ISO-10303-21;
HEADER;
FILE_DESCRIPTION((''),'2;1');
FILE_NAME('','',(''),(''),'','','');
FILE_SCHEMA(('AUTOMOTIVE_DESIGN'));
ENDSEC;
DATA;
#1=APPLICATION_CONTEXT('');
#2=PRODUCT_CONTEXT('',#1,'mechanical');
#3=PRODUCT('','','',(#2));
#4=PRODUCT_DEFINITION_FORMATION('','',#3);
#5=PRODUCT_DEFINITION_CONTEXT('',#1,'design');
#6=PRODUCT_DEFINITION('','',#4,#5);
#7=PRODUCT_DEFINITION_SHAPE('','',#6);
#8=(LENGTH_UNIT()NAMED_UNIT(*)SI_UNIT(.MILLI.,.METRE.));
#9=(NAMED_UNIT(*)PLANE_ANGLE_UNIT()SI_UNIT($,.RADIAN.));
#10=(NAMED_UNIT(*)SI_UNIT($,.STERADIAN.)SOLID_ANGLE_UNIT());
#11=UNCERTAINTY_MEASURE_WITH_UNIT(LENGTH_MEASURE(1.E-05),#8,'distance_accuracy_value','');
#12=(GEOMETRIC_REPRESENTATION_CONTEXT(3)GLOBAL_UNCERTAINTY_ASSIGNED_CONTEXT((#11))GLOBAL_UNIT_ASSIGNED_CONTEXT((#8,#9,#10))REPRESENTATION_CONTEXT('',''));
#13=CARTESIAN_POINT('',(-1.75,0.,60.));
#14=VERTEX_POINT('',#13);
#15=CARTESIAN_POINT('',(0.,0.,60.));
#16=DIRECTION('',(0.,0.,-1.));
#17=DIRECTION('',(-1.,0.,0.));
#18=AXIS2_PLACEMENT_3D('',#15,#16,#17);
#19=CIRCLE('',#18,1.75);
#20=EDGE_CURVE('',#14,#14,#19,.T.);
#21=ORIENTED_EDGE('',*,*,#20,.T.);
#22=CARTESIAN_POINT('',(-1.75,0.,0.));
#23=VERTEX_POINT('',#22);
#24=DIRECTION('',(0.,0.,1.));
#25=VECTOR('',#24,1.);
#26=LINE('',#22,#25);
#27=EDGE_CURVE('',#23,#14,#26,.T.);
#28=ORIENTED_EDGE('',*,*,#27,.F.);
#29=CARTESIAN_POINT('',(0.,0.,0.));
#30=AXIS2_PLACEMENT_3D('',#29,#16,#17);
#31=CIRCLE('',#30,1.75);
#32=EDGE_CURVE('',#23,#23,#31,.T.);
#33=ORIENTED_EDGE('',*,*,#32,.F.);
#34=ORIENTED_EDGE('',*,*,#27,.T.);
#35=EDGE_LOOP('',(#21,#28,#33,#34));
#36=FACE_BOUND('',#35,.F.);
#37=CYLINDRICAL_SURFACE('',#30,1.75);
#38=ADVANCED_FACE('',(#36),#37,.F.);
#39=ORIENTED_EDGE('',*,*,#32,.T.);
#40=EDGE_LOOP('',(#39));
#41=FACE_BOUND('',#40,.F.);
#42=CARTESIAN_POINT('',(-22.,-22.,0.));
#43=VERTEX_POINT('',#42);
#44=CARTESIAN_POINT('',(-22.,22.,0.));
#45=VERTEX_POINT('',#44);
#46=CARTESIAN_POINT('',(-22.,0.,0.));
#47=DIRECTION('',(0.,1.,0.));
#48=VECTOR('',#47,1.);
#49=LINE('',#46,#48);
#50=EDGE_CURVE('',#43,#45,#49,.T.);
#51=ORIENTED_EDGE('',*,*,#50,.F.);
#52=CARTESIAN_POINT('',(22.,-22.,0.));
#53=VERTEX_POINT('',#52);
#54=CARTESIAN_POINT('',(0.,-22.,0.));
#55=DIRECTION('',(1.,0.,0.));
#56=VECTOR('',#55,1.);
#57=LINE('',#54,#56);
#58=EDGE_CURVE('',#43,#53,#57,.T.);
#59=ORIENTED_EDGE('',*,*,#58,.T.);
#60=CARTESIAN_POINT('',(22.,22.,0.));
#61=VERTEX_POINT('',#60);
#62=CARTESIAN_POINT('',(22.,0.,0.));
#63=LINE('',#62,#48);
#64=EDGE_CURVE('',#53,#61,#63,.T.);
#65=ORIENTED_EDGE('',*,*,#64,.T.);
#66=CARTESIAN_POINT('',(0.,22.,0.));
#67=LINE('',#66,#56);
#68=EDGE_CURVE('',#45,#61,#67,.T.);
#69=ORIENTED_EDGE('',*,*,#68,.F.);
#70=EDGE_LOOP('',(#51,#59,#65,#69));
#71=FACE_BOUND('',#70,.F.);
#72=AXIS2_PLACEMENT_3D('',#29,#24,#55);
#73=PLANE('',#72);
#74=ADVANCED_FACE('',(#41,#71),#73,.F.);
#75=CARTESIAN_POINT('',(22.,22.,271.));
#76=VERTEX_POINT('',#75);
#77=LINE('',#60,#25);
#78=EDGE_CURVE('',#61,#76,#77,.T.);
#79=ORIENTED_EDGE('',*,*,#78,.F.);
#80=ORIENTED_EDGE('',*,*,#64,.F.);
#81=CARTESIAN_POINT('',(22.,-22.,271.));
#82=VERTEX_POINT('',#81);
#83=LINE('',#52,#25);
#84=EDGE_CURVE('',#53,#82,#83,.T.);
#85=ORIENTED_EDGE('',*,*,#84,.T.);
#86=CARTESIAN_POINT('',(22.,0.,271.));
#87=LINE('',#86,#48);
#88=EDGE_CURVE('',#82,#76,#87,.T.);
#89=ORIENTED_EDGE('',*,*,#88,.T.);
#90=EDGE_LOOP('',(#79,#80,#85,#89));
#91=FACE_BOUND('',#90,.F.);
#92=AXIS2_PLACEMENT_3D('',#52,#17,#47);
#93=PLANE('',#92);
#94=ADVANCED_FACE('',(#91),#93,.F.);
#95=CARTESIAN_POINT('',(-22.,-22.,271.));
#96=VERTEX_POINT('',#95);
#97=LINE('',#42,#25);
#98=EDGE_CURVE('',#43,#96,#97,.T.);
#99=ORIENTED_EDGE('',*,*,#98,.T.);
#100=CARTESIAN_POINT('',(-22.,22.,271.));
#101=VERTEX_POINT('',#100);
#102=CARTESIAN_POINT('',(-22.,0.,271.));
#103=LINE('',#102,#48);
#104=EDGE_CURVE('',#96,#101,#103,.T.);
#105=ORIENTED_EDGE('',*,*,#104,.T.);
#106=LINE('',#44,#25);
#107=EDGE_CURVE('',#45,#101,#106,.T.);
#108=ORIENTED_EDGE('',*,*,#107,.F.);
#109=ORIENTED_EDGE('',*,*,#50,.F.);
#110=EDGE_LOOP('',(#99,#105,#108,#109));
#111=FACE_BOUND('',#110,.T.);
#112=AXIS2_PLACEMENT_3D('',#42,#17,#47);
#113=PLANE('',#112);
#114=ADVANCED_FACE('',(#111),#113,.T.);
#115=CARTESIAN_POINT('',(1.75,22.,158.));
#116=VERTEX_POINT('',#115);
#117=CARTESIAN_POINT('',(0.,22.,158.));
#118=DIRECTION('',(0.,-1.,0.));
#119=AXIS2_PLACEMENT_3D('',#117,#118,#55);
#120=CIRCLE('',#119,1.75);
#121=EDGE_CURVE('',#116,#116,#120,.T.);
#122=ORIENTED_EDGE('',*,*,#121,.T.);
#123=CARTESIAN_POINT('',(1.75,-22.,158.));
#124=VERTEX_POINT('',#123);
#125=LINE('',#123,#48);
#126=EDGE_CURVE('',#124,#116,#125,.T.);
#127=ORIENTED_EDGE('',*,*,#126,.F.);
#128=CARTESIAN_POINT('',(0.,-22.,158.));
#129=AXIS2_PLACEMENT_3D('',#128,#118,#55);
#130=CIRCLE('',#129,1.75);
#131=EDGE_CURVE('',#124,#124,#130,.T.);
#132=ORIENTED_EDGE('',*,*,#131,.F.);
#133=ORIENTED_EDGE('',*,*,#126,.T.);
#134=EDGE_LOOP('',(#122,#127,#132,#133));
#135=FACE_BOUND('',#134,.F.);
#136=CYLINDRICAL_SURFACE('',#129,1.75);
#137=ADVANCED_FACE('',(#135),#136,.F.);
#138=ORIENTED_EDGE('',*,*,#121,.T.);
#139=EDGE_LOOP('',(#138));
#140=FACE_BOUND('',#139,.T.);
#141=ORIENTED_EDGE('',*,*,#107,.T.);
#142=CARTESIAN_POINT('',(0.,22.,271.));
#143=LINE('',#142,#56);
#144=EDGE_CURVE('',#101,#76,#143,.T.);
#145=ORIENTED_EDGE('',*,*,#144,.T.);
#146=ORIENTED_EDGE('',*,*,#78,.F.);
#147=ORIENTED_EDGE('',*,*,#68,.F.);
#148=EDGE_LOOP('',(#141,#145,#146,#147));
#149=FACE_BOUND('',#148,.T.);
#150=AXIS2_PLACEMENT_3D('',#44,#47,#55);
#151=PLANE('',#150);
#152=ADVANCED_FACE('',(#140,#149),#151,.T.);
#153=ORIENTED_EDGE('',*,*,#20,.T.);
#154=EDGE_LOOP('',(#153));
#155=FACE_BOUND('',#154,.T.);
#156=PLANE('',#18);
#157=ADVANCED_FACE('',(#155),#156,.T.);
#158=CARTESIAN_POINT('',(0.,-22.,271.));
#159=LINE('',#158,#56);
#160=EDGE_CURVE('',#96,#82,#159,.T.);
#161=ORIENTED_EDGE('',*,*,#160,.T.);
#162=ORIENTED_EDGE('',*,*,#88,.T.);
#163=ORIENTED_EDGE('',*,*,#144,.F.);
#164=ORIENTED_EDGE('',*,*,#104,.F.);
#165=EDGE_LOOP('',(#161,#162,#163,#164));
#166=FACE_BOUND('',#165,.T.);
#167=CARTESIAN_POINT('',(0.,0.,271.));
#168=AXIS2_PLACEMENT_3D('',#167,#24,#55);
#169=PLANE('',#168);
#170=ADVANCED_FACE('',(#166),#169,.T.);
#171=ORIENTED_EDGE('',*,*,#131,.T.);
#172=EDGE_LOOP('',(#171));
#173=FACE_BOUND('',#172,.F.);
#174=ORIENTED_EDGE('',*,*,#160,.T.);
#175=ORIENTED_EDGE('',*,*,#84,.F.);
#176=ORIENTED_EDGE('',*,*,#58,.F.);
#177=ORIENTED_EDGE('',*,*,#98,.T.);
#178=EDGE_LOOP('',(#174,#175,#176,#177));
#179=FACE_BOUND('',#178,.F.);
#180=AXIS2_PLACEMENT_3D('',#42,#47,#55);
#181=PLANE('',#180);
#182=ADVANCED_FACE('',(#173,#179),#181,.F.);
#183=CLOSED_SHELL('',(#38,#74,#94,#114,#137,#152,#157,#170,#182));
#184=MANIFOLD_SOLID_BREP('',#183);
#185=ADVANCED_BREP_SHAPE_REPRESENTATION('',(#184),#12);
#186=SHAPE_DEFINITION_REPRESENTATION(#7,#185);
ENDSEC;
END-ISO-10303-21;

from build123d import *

# Parameters (mm, degrees)
ESQUISSE1_W             = 44
ESQUISSE1_H             = 44
BOSS_EXTRU_1_DEPTH      = 271
ESQUISSE2_R             = 1.75
ENL_V_MAT_EXTRU_1_DEPTH = 44
ESQUISSE3_R             = 1.75
ENL_V_MAT_EXTRU_2_DEPTH = 60


with BuildPart() as part:
    # Esquisse1 → Boss.-Extru.1 (new body)
    with BuildSketch(Plane.XY):
        Rectangle(ESQUISSE1_W, ESQUISSE1_H)
    extrude(amount=BOSS_EXTRU_1_DEPTH)

    # Esquisse2 → Enlèv. mat.-Extru.1 (cut)
    with BuildSketch(Plane.XZ.offset(22)):
        with Locations((0, 158)):
            Circle(ESQUISSE2_R)
    extrude(amount=-ENL_V_MAT_EXTRU_1_DEPTH, mode=Mode.SUBTRACT)

    # Esquisse3 → Enlèv. mat.-Extru.2 (cut)
    with BuildSketch(Plane(origin=(0, 0, 0), x_dir=(-1, 0, 0), z_dir=(0, 0, -1))):
        Circle(ESQUISSE3_R)
    extrude(amount=-ENL_V_MAT_EXTRU_2_DEPTH, mode=Mode.SUBTRACT)


solid = part.part
